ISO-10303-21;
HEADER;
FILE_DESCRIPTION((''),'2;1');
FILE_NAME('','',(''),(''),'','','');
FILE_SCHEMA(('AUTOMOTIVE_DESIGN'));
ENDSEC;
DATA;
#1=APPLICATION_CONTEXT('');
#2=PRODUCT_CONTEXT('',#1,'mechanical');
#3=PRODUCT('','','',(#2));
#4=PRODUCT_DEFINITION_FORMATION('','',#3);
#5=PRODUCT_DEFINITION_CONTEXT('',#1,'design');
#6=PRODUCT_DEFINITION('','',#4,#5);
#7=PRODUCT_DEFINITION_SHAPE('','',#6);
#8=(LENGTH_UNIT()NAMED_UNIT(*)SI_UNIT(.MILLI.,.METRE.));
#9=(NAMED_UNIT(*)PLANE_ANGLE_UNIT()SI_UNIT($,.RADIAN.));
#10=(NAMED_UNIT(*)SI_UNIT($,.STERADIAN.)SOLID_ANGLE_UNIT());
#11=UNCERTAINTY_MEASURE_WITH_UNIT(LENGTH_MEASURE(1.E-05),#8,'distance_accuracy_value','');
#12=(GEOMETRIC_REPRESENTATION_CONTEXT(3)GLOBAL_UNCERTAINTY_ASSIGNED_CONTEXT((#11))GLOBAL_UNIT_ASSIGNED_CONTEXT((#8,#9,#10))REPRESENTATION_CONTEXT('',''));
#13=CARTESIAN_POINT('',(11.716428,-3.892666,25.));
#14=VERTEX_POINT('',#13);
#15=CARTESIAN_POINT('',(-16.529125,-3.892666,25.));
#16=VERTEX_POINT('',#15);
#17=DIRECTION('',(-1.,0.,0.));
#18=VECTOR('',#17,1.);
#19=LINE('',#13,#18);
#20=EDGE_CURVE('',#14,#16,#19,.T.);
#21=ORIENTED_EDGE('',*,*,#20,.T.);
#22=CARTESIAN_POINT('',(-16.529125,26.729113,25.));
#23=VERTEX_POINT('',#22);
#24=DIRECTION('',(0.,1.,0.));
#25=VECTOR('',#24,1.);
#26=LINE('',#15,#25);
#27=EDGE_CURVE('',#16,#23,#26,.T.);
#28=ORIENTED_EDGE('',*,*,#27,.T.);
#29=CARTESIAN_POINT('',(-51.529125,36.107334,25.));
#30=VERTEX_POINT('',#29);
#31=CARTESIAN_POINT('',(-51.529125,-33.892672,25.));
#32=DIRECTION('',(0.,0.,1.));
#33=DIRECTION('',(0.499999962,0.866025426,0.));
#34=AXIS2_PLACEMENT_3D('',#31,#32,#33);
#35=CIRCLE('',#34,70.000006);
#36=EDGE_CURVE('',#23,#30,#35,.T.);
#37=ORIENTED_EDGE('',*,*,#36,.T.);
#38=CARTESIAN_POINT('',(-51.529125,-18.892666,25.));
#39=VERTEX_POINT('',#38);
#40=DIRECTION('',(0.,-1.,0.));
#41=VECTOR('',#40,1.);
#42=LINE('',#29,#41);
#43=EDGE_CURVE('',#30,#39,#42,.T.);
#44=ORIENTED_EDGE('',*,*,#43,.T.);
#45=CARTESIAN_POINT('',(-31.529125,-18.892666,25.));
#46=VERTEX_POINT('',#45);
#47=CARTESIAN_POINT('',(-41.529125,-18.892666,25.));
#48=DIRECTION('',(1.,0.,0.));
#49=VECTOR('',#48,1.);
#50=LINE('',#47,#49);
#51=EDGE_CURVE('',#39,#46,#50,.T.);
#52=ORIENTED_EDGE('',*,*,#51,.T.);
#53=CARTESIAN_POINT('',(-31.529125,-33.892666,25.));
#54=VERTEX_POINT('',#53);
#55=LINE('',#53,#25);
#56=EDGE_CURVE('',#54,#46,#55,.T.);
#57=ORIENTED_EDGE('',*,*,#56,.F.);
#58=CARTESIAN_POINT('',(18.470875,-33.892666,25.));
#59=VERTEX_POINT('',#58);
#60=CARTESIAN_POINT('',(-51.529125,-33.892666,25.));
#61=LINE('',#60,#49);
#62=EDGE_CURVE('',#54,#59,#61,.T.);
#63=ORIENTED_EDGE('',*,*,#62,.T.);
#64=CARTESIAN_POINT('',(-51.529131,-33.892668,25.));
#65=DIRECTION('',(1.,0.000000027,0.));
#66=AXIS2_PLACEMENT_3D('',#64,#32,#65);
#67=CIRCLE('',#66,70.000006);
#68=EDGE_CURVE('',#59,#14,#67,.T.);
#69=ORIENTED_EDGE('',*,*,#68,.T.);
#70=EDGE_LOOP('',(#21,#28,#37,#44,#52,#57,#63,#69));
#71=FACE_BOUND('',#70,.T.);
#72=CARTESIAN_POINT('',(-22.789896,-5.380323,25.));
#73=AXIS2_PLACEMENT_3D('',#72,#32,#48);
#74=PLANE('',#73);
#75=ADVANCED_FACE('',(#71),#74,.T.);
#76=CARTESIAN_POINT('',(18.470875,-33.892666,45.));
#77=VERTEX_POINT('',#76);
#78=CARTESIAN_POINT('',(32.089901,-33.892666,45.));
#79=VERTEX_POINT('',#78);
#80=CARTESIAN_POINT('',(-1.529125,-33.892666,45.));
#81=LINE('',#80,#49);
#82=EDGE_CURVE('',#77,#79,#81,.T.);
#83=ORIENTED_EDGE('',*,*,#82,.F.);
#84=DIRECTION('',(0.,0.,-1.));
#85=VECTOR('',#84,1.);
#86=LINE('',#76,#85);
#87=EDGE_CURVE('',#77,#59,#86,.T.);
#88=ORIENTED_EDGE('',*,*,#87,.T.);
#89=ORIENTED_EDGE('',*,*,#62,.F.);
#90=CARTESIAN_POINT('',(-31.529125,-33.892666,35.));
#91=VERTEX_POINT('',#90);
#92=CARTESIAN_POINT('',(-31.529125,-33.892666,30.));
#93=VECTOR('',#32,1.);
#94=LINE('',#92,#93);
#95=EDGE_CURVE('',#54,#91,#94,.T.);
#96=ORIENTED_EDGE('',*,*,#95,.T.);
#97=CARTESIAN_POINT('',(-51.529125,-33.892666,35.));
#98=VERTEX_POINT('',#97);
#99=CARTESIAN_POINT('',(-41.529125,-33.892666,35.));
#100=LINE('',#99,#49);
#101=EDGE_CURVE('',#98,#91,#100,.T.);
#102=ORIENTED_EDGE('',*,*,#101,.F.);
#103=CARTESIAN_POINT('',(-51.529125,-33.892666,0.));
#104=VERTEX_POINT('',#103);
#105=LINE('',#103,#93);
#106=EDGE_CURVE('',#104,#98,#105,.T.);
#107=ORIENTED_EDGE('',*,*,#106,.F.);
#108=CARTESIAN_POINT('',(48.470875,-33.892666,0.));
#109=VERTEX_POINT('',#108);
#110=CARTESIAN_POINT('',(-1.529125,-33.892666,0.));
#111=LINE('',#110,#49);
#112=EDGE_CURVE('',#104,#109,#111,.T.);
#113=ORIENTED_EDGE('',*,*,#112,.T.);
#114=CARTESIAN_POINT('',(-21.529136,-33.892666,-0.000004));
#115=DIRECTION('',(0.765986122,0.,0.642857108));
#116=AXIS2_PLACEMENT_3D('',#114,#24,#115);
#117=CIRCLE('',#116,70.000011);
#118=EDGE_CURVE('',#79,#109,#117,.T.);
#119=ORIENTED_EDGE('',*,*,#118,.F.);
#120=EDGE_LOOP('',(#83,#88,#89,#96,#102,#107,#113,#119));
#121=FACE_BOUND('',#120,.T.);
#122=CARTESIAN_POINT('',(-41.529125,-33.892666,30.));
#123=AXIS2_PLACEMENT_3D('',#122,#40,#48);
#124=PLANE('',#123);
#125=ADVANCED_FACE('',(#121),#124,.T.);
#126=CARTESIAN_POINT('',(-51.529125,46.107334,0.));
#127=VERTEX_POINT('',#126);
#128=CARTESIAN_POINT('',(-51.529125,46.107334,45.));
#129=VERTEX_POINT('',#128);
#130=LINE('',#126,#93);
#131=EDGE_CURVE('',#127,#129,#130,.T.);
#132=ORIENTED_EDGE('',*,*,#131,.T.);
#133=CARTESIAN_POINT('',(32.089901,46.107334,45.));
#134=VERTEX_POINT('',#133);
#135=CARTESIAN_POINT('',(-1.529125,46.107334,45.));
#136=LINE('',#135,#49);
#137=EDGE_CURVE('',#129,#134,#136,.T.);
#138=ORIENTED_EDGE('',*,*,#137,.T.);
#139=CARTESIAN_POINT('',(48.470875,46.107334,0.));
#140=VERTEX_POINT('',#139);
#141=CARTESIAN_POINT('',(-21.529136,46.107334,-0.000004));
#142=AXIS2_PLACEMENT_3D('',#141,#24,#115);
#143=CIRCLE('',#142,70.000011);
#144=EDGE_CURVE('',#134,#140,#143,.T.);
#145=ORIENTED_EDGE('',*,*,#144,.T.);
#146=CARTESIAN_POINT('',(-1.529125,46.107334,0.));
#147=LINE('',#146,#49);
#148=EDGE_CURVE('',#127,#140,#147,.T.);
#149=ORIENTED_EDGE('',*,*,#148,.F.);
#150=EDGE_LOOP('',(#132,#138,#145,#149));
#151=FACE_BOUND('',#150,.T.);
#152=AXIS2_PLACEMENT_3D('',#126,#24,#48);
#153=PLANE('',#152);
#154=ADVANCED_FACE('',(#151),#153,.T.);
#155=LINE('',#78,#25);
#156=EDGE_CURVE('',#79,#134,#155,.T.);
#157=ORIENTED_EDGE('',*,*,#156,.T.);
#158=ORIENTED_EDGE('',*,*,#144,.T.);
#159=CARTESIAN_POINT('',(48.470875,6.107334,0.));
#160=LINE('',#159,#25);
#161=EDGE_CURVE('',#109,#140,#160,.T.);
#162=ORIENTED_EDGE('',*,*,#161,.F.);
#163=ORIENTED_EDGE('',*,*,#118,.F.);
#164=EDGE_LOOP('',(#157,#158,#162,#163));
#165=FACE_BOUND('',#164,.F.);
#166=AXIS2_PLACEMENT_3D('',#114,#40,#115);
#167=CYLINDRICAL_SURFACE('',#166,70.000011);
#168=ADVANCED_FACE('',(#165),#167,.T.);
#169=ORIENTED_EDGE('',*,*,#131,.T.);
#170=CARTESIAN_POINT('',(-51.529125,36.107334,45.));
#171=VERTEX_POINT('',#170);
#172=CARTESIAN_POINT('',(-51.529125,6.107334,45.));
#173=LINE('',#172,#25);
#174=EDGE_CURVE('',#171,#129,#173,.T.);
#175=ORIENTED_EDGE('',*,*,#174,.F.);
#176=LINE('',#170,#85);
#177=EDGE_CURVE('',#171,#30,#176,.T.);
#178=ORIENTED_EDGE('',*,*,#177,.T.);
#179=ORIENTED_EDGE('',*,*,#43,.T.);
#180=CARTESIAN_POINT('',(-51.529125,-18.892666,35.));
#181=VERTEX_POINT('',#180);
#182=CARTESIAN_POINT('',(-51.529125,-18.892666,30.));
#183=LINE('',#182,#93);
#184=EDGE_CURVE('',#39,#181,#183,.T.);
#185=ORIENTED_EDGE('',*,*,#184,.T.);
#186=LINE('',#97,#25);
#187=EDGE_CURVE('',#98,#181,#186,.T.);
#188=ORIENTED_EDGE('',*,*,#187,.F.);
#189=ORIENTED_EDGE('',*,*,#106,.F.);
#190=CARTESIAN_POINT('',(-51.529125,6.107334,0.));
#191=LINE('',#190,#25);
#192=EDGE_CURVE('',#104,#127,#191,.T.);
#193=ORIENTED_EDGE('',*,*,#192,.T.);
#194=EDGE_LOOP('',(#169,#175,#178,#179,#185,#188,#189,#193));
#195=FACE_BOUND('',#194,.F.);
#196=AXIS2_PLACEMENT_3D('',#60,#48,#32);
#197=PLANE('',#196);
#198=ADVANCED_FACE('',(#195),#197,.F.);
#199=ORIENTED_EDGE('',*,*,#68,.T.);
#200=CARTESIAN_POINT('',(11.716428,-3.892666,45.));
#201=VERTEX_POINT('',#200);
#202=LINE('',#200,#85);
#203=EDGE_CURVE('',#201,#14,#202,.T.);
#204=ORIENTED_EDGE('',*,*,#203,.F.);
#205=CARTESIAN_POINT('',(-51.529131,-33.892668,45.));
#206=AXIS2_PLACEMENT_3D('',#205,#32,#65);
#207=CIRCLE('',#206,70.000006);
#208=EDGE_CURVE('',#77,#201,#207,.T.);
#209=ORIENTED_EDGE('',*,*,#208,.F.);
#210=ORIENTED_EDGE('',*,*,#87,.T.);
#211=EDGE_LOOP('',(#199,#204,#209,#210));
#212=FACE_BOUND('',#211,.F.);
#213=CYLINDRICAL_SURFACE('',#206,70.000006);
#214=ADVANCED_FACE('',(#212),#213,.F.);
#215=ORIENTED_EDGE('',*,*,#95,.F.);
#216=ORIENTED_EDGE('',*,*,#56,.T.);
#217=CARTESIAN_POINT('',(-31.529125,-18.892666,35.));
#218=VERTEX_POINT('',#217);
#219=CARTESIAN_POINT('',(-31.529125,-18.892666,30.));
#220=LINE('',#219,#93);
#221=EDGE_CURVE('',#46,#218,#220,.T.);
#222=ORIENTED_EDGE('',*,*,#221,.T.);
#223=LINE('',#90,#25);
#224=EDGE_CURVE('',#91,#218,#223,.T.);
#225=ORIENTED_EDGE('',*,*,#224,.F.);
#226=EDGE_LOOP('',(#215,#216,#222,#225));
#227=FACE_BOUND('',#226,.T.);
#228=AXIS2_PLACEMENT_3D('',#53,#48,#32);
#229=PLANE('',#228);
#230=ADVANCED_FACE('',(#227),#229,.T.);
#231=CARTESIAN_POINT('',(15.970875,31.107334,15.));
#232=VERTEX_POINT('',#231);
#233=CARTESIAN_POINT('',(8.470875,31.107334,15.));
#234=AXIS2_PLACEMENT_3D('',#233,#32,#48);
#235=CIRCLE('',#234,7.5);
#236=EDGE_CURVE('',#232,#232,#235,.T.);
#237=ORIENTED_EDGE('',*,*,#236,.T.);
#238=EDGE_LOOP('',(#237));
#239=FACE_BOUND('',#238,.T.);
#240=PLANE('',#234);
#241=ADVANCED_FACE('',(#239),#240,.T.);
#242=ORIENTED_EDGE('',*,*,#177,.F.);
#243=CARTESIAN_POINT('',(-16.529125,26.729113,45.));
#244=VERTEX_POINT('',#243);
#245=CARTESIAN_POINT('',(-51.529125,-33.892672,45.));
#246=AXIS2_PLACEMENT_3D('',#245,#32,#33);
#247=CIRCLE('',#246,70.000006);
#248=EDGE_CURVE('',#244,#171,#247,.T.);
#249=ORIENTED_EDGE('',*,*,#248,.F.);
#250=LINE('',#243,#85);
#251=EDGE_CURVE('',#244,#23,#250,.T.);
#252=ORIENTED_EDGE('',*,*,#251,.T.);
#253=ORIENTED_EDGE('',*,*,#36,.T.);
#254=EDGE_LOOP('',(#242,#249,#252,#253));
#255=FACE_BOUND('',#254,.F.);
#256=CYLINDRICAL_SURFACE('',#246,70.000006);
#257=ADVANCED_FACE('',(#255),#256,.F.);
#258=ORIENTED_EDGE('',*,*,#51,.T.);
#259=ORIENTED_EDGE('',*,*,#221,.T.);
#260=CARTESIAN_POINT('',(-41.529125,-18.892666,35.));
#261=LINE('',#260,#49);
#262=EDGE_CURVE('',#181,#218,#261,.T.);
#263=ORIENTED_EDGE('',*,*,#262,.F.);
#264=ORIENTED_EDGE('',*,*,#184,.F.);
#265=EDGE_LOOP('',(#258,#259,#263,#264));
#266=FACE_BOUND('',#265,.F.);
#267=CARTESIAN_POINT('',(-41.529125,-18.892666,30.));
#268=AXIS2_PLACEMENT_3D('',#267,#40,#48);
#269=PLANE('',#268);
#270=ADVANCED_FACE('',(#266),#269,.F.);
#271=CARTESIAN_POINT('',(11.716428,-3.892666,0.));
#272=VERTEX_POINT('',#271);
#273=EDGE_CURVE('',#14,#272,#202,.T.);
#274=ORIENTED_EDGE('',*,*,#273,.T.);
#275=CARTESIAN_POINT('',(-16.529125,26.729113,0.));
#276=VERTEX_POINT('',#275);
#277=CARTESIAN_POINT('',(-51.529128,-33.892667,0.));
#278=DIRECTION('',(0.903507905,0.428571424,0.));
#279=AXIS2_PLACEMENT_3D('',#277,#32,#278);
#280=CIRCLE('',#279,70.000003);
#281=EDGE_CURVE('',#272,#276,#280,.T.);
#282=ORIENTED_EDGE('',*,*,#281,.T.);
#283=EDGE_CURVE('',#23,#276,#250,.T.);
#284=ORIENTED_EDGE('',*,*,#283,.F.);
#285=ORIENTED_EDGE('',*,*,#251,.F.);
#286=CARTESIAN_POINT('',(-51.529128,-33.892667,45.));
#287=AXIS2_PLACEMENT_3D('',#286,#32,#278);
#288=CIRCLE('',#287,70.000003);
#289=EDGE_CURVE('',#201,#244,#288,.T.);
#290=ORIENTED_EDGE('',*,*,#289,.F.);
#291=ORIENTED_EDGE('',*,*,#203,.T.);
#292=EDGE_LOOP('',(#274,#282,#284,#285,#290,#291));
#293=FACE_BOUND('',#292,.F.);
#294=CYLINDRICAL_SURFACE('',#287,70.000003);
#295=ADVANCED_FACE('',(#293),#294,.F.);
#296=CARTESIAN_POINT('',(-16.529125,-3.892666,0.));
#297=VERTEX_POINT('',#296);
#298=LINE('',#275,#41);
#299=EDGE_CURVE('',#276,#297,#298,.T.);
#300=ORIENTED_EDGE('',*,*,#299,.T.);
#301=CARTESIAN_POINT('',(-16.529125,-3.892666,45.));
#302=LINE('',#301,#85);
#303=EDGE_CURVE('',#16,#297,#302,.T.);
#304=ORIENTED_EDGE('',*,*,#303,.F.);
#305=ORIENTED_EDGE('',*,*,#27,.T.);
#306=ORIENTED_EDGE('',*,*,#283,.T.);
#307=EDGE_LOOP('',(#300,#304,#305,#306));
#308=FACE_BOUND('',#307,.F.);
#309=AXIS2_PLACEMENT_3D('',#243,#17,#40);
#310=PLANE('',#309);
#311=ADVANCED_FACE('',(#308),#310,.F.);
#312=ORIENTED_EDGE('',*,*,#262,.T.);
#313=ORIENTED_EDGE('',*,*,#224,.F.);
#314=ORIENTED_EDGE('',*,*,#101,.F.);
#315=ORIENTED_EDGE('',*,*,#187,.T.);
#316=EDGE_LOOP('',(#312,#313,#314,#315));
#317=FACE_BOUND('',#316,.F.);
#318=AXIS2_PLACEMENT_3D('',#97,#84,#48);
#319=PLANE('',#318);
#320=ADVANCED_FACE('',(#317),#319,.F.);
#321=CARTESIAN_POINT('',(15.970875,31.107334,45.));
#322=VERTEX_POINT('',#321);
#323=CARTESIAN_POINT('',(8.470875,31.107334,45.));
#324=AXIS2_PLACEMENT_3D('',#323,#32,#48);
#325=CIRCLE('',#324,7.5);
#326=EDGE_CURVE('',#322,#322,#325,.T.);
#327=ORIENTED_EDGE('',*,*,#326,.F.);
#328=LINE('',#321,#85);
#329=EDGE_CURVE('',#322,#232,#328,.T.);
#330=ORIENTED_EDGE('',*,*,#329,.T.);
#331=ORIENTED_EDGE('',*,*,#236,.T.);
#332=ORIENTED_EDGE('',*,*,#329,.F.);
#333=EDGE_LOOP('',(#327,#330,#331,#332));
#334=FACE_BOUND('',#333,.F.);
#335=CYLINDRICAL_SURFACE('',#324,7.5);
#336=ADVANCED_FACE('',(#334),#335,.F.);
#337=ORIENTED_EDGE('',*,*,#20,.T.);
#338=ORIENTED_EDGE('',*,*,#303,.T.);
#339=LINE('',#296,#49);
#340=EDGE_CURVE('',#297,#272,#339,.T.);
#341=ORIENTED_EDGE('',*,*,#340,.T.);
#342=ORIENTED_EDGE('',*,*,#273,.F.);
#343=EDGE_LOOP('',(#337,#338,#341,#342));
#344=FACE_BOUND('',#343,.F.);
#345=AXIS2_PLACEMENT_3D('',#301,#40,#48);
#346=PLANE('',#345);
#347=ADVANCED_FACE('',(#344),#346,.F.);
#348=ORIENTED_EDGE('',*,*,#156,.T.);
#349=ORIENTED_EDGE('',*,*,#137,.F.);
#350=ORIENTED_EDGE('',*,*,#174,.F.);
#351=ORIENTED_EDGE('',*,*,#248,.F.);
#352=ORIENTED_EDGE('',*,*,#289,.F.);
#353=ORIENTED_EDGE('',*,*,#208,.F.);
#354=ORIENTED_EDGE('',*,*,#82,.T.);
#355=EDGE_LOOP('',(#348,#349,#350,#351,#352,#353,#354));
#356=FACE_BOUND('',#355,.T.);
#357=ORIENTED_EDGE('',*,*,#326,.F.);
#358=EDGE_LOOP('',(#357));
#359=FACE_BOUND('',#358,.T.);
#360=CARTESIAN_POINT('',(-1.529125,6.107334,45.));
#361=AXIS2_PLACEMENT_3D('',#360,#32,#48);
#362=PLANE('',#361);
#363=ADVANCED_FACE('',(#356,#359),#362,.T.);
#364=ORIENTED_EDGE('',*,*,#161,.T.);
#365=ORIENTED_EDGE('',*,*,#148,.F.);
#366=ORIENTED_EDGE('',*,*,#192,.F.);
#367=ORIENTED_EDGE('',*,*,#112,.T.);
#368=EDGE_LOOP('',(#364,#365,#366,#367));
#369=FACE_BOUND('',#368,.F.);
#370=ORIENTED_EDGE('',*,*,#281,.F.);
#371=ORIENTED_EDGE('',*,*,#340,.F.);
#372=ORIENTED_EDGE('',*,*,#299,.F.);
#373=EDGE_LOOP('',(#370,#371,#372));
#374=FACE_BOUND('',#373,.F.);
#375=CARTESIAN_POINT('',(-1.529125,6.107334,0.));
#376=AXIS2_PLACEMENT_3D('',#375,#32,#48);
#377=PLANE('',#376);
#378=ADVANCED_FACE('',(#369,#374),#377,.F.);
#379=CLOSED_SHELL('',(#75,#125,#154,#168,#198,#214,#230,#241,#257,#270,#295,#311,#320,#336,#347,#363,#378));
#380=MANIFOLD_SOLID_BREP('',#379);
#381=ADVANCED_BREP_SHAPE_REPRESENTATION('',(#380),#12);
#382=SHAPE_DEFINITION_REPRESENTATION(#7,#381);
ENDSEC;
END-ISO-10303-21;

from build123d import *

# Parameters (mm, degrees)
F0_W      = 100
F0_H      = 80
F1_DEPTH  = 45
F5_DEPTH  = 45
F6_R      = 7.5
F8_DEPTH  = 30
F9_DEPTH  = 20
F3_W      = 20
F3_H      = 10
F10_DEPTH = 15
F12_DEPTH = 80


with BuildPart() as f1:
    # F0 (on Top) → F1 (new body)
    with BuildSketch(Plane.XY):
        with Locations((-1.529125, 6.107334)):
            Rectangle(F0_W, F0_H)
    extrude(amount=F1_DEPTH)

    # F4 (on face) → F5 (cut)
    with BuildSketch(Plane.XY.offset(45)):
        with BuildLine():
            ThreePointArc((11.716428, -3.892666), (-0.075549, 13.568155), (-16.529125, 26.729113))
            Line((-16.529125, 26.729113), (-16.529125, -3.892666))
            Line((-16.529125, -3.892666), (11.716428, -3.892666))
        make_face()
    extrude(amount=-F5_DEPTH, mode=Mode.SUBTRACT)

    # F6 (on face) → F8 (cut, through all)
    with BuildSketch(Plane.XY.offset(45)):
        with Locations((8.470875, 31.107334)):
            Circle(F6_R)
    extrude(amount=-F8_DEPTH, mode=Mode.SUBTRACT)

    # F4 (on face) → F9 (cut)
    with BuildSketch(Plane.XY.offset(45)):
        with BuildLine():
            Line((-16.529125, -3.892666), (-16.529125, 26.729113))
            ThreePointArc((-16.529125, 26.729113), (-33.411792, 33.722142), (-51.529125, 36.107334))
            Line((-51.529125, 36.107334), (-51.529125, -33.892666))
            Line((-51.529125, -33.892666), (18.470875, -33.892666))
            ThreePointArc((18.470875, -33.892666), (16.761389, -18.517177), (11.716428, -3.892666))
            Line((11.716428, -3.892666), (-16.529125, -3.892666))
        make_face()
    extrude(amount=-F9_DEPTH, mode=Mode.SUBTRACT)

    # F3 (on face) → F10 (join)
    with BuildSketch(Plane.XZ.offset(33.892666)):
        with Locations((-41.529125, 30)):
            Rectangle(F3_W, F3_H)
    extrude(amount=-F10_DEPTH)

    # F11 (on face) → F12 (cut, through all)
    with BuildSketch(Plane.XZ.offset(33.892666)):
        with BuildLine():
            ThreePointArc((32.089901, 45), (44.248271, 23.944395), (48.470875, 0))
            Line((48.470875, 0), (48.470875, 45))
            Line((48.470875, 45), (32.089901, 45))
        make_face()
    extrude(amount=-F12_DEPTH, mode=Mode.SUBTRACT)


solid = f1.part
